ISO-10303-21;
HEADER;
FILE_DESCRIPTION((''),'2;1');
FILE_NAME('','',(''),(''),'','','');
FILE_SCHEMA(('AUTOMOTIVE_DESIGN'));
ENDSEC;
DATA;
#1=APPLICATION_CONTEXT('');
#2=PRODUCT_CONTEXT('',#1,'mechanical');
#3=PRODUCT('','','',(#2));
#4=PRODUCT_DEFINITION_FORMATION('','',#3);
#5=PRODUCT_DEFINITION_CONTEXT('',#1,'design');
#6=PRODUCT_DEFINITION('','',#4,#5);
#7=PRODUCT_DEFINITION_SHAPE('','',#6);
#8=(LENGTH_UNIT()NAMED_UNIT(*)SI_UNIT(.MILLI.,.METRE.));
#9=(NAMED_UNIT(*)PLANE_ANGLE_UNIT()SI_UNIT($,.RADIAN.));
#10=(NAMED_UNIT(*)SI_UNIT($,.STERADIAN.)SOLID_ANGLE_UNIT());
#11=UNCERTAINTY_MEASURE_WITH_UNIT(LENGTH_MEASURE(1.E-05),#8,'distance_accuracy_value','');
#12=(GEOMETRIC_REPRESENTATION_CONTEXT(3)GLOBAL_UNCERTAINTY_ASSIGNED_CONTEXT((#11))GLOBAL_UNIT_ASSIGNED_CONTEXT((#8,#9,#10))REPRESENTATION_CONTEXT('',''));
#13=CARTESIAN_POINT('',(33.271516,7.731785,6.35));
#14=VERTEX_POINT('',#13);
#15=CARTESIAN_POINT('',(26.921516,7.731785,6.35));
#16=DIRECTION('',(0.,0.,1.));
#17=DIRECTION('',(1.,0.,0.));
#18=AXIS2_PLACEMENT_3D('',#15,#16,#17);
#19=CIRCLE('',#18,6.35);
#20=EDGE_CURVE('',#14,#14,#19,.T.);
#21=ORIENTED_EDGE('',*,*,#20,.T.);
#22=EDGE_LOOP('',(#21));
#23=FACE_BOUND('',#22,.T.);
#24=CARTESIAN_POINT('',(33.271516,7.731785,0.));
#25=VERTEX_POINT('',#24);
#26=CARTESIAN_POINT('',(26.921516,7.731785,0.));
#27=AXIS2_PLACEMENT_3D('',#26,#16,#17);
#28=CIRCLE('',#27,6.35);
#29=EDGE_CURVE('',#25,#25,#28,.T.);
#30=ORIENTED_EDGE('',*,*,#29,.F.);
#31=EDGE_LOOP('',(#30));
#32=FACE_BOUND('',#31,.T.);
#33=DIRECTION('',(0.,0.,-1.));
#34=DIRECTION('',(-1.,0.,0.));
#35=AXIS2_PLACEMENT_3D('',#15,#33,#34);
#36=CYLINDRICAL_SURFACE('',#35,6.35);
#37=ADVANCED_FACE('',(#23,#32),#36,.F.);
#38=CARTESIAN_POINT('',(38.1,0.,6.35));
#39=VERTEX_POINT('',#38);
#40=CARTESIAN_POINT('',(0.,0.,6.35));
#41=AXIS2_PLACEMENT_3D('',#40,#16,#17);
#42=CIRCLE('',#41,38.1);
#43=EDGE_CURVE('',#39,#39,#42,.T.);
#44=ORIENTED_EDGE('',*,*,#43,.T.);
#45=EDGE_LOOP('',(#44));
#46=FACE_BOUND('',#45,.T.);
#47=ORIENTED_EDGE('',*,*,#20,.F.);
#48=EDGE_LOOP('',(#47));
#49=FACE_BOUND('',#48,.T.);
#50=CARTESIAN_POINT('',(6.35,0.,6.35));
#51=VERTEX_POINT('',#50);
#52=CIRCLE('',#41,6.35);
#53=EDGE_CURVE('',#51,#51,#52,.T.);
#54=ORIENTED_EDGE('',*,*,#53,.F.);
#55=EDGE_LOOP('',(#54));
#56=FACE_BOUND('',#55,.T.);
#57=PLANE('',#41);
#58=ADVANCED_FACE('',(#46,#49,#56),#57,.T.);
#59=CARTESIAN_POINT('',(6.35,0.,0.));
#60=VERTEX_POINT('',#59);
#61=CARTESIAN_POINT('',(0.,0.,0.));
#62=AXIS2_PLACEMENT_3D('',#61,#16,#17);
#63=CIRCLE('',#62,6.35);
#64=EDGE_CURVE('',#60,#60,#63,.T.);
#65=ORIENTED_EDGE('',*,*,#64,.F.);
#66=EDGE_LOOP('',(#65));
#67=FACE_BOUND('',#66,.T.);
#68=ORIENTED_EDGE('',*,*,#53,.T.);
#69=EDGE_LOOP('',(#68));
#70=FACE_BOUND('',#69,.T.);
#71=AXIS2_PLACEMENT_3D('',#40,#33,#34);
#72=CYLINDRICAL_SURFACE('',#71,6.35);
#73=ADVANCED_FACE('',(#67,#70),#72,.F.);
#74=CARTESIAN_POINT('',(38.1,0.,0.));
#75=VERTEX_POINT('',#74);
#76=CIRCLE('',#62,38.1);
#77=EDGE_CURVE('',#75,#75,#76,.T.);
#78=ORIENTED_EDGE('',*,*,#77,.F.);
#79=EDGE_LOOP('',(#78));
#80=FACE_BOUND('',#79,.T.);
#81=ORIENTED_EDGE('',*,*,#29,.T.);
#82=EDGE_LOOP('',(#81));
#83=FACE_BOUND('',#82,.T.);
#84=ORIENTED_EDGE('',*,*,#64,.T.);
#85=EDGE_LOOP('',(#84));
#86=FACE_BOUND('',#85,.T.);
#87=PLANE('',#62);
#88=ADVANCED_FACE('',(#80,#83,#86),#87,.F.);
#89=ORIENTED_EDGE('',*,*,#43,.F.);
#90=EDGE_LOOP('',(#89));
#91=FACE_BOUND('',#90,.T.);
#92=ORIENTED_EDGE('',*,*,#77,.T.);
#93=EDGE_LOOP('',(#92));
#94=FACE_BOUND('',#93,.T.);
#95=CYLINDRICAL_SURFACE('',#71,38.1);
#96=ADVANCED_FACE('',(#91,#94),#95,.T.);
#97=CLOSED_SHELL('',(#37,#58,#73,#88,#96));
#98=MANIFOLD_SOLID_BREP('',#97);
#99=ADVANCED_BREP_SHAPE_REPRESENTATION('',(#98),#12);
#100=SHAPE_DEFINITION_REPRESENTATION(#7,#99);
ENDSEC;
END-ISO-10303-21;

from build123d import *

# Parameters (mm, degrees)
SKETCH1_R           = 38.1
SKETCH1_R_2         = 6.35
BOSS_EXTRUDE1_DEPTH = 6.35


with BuildPart() as part:
    # Sketch1 → Boss-Extrude1 (new body)
    with BuildSketch(Plane.XY):
        Circle(SKETCH1_R)
        Circle(SKETCH1_R_2, mode=Mode.SUBTRACT)
        with Locations((26.921515892, 7.731784841)):
            Circle(SKETCH1_R_2, mode=Mode.SUBTRACT)
    extrude(amount=BOSS_EXTRUDE1_DEPTH)


solid = part.part
